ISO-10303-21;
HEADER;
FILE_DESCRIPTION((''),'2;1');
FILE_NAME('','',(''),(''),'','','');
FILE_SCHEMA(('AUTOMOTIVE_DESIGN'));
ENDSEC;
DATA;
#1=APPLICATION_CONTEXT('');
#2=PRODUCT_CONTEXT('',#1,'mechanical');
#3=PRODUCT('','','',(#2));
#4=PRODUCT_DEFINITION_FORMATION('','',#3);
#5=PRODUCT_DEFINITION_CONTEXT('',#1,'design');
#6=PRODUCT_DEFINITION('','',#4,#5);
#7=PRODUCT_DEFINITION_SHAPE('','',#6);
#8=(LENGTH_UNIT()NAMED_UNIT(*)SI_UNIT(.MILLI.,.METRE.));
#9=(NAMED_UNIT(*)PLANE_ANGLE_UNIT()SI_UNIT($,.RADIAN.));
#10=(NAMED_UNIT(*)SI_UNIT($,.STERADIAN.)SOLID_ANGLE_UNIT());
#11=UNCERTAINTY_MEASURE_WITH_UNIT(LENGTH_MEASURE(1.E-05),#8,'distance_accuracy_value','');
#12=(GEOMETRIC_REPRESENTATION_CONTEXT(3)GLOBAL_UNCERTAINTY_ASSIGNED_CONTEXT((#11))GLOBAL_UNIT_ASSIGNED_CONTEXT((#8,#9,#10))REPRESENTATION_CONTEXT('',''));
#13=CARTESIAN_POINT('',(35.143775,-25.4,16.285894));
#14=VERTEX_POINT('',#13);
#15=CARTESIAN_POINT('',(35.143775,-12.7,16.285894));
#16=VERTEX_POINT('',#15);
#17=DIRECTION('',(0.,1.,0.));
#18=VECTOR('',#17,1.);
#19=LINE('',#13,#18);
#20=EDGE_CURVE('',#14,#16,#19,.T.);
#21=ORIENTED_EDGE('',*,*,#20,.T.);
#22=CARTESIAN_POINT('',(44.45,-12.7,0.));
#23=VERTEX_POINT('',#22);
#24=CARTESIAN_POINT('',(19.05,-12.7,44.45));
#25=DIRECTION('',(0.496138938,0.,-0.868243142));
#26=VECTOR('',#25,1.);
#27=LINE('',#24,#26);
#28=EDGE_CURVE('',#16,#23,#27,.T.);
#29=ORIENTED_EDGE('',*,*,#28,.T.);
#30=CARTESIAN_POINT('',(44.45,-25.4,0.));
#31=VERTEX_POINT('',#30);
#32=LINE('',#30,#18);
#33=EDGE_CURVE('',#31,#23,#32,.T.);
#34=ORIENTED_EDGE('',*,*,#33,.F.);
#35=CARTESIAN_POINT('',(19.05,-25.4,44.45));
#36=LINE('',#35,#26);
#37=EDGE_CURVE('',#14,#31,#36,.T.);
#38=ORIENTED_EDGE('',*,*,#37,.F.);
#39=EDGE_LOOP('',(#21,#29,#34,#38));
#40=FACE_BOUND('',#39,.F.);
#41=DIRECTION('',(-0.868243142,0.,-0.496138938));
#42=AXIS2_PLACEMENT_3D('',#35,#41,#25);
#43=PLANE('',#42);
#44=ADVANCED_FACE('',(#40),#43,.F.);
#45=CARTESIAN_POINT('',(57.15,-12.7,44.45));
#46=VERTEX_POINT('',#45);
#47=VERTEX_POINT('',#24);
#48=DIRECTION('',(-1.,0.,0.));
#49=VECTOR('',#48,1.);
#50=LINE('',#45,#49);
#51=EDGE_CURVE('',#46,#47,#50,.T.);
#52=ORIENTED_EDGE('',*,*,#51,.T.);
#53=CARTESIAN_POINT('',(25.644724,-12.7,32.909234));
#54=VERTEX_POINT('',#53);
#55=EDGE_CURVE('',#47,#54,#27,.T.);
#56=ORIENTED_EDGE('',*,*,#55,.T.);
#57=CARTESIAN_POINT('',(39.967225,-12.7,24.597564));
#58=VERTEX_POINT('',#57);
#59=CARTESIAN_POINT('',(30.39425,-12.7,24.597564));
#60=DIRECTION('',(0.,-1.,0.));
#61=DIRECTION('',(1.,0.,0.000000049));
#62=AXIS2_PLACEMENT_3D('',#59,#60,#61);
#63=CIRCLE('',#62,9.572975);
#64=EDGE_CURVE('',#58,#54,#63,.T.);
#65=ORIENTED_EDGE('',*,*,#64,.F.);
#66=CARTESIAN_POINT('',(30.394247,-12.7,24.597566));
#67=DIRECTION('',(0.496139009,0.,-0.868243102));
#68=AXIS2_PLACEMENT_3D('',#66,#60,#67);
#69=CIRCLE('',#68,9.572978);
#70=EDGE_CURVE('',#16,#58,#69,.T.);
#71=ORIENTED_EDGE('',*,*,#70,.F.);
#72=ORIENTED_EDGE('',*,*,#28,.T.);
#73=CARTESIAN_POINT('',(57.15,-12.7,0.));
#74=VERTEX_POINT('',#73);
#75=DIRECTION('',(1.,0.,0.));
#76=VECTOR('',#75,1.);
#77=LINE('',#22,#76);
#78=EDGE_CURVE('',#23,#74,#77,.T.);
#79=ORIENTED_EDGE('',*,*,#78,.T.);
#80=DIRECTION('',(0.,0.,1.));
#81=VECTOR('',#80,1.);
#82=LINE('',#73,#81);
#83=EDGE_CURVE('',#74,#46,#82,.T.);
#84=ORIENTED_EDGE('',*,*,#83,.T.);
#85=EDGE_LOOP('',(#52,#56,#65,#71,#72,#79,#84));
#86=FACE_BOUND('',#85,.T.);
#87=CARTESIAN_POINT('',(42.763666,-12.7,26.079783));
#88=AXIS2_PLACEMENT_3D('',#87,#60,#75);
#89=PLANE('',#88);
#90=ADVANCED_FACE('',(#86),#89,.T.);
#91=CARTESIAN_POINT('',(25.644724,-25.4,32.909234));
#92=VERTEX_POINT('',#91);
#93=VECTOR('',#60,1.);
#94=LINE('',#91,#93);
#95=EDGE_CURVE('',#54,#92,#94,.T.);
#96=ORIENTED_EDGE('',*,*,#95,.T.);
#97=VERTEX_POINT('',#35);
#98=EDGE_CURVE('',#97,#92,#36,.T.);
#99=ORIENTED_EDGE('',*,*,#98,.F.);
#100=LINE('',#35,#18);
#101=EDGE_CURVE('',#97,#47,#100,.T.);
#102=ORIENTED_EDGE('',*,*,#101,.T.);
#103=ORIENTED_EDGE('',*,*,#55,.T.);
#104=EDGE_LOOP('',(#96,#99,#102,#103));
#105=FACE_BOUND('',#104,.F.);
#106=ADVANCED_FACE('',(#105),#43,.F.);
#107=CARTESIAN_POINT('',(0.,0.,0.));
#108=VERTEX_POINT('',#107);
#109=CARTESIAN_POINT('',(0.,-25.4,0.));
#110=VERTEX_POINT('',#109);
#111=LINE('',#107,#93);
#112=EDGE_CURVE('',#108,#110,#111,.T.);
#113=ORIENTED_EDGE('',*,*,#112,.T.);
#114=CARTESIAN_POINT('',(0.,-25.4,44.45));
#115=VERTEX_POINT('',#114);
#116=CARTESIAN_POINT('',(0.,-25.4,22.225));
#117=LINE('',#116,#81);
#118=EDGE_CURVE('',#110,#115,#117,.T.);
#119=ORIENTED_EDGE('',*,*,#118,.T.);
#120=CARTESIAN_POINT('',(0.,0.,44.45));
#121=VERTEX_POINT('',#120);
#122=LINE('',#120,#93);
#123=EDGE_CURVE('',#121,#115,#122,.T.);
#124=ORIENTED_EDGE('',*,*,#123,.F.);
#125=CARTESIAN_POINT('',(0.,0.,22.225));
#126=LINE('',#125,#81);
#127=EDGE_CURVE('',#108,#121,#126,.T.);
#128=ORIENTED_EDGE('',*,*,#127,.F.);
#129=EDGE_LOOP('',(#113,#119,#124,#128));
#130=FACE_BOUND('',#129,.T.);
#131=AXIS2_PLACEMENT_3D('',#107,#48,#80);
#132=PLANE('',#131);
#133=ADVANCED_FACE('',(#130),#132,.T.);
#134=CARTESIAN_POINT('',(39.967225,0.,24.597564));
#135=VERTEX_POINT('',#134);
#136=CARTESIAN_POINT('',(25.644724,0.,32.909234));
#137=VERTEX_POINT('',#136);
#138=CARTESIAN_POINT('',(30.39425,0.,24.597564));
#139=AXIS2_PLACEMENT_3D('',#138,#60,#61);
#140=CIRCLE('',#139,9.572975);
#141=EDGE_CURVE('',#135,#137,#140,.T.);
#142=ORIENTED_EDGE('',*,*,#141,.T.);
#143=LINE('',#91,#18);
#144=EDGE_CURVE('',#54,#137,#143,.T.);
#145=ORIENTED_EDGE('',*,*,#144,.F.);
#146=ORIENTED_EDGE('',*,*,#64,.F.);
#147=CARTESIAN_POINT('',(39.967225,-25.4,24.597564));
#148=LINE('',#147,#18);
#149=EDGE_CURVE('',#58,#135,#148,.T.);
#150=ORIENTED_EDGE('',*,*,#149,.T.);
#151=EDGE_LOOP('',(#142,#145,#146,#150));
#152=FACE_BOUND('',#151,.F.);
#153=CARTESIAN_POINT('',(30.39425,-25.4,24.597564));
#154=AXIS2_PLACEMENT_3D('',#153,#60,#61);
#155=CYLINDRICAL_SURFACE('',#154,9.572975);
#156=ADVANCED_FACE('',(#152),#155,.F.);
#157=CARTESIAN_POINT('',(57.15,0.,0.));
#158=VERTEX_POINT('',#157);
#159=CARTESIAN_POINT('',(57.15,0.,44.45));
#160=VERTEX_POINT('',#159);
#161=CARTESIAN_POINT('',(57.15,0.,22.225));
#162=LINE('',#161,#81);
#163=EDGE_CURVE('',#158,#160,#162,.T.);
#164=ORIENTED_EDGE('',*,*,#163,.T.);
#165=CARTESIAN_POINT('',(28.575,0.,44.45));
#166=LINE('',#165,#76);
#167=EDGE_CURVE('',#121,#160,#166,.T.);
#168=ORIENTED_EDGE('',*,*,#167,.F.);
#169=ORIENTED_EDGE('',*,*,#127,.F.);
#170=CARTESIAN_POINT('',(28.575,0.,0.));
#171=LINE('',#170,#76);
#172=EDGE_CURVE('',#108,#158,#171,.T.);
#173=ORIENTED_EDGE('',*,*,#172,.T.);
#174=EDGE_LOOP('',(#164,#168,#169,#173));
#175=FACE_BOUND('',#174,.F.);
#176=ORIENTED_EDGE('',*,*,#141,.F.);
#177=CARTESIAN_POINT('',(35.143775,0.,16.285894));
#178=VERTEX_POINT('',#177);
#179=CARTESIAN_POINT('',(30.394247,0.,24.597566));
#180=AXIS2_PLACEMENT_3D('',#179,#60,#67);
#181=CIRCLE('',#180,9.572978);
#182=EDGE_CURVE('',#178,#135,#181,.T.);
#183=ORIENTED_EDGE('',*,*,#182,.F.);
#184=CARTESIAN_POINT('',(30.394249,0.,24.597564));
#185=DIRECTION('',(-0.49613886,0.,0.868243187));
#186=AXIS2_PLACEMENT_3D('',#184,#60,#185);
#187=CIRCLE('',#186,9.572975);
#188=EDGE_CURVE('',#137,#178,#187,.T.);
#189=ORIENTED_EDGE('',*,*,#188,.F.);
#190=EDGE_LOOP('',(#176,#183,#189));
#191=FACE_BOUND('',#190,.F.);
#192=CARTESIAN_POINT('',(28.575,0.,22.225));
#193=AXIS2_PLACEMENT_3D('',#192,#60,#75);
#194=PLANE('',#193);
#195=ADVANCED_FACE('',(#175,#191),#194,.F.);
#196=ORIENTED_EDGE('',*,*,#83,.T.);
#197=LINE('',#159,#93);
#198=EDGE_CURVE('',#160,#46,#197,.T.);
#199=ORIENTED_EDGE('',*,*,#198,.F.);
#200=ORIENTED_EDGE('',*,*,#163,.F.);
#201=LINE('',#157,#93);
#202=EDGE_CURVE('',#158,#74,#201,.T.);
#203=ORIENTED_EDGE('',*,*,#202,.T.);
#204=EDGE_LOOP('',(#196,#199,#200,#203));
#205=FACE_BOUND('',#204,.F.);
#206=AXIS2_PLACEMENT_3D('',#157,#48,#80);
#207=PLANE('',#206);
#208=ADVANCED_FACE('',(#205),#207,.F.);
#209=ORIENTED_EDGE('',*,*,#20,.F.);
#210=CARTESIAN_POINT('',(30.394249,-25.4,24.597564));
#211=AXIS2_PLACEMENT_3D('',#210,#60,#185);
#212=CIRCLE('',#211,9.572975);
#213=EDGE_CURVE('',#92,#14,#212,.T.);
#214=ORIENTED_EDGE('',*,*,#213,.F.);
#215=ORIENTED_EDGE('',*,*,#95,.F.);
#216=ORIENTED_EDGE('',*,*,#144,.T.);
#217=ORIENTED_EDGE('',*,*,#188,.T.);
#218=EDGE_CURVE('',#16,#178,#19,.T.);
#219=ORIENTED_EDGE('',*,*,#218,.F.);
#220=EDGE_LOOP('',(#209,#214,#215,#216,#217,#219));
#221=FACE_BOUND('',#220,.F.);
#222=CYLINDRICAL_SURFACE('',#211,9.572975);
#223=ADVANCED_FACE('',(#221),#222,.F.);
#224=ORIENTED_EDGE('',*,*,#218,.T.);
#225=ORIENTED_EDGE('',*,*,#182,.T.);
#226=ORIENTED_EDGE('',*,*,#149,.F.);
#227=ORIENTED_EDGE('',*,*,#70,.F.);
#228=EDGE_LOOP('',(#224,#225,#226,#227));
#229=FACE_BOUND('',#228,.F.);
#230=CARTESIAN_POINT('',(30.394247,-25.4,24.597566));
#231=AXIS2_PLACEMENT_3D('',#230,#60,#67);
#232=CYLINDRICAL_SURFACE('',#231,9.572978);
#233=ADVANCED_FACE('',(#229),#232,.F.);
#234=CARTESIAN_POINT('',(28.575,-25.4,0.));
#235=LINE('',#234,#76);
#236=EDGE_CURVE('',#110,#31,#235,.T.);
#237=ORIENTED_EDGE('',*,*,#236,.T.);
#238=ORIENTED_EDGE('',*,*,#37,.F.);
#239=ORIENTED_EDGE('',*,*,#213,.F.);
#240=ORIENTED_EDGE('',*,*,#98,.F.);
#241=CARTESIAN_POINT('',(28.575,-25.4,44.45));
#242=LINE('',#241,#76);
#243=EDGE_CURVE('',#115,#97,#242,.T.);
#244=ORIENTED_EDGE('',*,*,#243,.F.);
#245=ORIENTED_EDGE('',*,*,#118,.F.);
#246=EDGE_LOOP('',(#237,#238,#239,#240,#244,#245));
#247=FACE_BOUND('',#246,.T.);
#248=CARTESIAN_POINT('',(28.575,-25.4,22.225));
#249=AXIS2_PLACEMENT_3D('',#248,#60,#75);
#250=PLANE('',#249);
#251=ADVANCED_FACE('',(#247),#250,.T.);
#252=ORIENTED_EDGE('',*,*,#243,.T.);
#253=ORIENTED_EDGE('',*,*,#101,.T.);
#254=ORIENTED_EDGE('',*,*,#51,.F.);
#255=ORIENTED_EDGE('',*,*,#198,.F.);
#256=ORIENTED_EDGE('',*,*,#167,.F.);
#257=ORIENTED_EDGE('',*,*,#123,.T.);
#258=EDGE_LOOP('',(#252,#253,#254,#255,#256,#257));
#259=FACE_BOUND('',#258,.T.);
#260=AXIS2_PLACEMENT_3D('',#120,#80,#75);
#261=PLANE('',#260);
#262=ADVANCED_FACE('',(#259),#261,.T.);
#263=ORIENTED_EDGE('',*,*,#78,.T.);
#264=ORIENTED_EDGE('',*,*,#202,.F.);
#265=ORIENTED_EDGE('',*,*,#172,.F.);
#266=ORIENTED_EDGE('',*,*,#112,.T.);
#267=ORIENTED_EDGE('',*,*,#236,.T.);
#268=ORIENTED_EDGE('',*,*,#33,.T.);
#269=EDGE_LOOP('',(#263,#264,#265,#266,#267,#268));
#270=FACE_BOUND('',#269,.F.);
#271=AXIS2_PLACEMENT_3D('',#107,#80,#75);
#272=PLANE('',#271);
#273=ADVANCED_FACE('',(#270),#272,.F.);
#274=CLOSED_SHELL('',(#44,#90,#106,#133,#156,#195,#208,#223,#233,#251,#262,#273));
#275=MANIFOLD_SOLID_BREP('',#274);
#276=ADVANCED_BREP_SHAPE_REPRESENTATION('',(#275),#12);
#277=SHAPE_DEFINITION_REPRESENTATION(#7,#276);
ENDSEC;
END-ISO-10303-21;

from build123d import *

# Parameters (mm, degrees)
F0_W     = 57.15
F0_H     = 44.45
F1_DEPTH = 25.4
F3_DEPTH = 12.7
F5_DEPTH = 25.4


with BuildPart() as f1:
    # F0 (on Front) → F1 (new body)
    with BuildSketch(Plane.XZ):
        with Locations((28.575, 22.225)):
            Rectangle(F0_W, F0_H)
    extrude(amount=F1_DEPTH)

    # F2 (on face) → F3 (cut)
    with BuildSketch(Plane.XZ.offset(25.4)):
        Polygon((19.05, 44.45), (44.45, 0), (57.15, 0), (57.15, 44.45), align=None)
    extrude(amount=-F3_DEPTH, mode=Mode.SUBTRACT)

    # F4 (on face) → F5 (cut)
    with BuildSketch(Plane.XZ.offset(25.4)):
        with BuildLine():
            ThreePointArc((35.143775, 16.285894), (38.674012, 19.792631), (39.967225, 24.597564))
            ThreePointArc((39.967225, 24.597564), (35.199182, 32.877327), (25.644724, 32.909234))
            Line((25.644724, 32.909234), (35.143775, 16.285894))
        make_face()
        with BuildLine():
            Line((35.143775, 16.285894), (25.644724, 32.909234))
            ThreePointArc((25.644724, 32.909234), (22.082579, 19.848038), (35.143775, 16.285894))
        make_face()
    extrude(amount=-F5_DEPTH, mode=Mode.SUBTRACT)


solid = f1.part
